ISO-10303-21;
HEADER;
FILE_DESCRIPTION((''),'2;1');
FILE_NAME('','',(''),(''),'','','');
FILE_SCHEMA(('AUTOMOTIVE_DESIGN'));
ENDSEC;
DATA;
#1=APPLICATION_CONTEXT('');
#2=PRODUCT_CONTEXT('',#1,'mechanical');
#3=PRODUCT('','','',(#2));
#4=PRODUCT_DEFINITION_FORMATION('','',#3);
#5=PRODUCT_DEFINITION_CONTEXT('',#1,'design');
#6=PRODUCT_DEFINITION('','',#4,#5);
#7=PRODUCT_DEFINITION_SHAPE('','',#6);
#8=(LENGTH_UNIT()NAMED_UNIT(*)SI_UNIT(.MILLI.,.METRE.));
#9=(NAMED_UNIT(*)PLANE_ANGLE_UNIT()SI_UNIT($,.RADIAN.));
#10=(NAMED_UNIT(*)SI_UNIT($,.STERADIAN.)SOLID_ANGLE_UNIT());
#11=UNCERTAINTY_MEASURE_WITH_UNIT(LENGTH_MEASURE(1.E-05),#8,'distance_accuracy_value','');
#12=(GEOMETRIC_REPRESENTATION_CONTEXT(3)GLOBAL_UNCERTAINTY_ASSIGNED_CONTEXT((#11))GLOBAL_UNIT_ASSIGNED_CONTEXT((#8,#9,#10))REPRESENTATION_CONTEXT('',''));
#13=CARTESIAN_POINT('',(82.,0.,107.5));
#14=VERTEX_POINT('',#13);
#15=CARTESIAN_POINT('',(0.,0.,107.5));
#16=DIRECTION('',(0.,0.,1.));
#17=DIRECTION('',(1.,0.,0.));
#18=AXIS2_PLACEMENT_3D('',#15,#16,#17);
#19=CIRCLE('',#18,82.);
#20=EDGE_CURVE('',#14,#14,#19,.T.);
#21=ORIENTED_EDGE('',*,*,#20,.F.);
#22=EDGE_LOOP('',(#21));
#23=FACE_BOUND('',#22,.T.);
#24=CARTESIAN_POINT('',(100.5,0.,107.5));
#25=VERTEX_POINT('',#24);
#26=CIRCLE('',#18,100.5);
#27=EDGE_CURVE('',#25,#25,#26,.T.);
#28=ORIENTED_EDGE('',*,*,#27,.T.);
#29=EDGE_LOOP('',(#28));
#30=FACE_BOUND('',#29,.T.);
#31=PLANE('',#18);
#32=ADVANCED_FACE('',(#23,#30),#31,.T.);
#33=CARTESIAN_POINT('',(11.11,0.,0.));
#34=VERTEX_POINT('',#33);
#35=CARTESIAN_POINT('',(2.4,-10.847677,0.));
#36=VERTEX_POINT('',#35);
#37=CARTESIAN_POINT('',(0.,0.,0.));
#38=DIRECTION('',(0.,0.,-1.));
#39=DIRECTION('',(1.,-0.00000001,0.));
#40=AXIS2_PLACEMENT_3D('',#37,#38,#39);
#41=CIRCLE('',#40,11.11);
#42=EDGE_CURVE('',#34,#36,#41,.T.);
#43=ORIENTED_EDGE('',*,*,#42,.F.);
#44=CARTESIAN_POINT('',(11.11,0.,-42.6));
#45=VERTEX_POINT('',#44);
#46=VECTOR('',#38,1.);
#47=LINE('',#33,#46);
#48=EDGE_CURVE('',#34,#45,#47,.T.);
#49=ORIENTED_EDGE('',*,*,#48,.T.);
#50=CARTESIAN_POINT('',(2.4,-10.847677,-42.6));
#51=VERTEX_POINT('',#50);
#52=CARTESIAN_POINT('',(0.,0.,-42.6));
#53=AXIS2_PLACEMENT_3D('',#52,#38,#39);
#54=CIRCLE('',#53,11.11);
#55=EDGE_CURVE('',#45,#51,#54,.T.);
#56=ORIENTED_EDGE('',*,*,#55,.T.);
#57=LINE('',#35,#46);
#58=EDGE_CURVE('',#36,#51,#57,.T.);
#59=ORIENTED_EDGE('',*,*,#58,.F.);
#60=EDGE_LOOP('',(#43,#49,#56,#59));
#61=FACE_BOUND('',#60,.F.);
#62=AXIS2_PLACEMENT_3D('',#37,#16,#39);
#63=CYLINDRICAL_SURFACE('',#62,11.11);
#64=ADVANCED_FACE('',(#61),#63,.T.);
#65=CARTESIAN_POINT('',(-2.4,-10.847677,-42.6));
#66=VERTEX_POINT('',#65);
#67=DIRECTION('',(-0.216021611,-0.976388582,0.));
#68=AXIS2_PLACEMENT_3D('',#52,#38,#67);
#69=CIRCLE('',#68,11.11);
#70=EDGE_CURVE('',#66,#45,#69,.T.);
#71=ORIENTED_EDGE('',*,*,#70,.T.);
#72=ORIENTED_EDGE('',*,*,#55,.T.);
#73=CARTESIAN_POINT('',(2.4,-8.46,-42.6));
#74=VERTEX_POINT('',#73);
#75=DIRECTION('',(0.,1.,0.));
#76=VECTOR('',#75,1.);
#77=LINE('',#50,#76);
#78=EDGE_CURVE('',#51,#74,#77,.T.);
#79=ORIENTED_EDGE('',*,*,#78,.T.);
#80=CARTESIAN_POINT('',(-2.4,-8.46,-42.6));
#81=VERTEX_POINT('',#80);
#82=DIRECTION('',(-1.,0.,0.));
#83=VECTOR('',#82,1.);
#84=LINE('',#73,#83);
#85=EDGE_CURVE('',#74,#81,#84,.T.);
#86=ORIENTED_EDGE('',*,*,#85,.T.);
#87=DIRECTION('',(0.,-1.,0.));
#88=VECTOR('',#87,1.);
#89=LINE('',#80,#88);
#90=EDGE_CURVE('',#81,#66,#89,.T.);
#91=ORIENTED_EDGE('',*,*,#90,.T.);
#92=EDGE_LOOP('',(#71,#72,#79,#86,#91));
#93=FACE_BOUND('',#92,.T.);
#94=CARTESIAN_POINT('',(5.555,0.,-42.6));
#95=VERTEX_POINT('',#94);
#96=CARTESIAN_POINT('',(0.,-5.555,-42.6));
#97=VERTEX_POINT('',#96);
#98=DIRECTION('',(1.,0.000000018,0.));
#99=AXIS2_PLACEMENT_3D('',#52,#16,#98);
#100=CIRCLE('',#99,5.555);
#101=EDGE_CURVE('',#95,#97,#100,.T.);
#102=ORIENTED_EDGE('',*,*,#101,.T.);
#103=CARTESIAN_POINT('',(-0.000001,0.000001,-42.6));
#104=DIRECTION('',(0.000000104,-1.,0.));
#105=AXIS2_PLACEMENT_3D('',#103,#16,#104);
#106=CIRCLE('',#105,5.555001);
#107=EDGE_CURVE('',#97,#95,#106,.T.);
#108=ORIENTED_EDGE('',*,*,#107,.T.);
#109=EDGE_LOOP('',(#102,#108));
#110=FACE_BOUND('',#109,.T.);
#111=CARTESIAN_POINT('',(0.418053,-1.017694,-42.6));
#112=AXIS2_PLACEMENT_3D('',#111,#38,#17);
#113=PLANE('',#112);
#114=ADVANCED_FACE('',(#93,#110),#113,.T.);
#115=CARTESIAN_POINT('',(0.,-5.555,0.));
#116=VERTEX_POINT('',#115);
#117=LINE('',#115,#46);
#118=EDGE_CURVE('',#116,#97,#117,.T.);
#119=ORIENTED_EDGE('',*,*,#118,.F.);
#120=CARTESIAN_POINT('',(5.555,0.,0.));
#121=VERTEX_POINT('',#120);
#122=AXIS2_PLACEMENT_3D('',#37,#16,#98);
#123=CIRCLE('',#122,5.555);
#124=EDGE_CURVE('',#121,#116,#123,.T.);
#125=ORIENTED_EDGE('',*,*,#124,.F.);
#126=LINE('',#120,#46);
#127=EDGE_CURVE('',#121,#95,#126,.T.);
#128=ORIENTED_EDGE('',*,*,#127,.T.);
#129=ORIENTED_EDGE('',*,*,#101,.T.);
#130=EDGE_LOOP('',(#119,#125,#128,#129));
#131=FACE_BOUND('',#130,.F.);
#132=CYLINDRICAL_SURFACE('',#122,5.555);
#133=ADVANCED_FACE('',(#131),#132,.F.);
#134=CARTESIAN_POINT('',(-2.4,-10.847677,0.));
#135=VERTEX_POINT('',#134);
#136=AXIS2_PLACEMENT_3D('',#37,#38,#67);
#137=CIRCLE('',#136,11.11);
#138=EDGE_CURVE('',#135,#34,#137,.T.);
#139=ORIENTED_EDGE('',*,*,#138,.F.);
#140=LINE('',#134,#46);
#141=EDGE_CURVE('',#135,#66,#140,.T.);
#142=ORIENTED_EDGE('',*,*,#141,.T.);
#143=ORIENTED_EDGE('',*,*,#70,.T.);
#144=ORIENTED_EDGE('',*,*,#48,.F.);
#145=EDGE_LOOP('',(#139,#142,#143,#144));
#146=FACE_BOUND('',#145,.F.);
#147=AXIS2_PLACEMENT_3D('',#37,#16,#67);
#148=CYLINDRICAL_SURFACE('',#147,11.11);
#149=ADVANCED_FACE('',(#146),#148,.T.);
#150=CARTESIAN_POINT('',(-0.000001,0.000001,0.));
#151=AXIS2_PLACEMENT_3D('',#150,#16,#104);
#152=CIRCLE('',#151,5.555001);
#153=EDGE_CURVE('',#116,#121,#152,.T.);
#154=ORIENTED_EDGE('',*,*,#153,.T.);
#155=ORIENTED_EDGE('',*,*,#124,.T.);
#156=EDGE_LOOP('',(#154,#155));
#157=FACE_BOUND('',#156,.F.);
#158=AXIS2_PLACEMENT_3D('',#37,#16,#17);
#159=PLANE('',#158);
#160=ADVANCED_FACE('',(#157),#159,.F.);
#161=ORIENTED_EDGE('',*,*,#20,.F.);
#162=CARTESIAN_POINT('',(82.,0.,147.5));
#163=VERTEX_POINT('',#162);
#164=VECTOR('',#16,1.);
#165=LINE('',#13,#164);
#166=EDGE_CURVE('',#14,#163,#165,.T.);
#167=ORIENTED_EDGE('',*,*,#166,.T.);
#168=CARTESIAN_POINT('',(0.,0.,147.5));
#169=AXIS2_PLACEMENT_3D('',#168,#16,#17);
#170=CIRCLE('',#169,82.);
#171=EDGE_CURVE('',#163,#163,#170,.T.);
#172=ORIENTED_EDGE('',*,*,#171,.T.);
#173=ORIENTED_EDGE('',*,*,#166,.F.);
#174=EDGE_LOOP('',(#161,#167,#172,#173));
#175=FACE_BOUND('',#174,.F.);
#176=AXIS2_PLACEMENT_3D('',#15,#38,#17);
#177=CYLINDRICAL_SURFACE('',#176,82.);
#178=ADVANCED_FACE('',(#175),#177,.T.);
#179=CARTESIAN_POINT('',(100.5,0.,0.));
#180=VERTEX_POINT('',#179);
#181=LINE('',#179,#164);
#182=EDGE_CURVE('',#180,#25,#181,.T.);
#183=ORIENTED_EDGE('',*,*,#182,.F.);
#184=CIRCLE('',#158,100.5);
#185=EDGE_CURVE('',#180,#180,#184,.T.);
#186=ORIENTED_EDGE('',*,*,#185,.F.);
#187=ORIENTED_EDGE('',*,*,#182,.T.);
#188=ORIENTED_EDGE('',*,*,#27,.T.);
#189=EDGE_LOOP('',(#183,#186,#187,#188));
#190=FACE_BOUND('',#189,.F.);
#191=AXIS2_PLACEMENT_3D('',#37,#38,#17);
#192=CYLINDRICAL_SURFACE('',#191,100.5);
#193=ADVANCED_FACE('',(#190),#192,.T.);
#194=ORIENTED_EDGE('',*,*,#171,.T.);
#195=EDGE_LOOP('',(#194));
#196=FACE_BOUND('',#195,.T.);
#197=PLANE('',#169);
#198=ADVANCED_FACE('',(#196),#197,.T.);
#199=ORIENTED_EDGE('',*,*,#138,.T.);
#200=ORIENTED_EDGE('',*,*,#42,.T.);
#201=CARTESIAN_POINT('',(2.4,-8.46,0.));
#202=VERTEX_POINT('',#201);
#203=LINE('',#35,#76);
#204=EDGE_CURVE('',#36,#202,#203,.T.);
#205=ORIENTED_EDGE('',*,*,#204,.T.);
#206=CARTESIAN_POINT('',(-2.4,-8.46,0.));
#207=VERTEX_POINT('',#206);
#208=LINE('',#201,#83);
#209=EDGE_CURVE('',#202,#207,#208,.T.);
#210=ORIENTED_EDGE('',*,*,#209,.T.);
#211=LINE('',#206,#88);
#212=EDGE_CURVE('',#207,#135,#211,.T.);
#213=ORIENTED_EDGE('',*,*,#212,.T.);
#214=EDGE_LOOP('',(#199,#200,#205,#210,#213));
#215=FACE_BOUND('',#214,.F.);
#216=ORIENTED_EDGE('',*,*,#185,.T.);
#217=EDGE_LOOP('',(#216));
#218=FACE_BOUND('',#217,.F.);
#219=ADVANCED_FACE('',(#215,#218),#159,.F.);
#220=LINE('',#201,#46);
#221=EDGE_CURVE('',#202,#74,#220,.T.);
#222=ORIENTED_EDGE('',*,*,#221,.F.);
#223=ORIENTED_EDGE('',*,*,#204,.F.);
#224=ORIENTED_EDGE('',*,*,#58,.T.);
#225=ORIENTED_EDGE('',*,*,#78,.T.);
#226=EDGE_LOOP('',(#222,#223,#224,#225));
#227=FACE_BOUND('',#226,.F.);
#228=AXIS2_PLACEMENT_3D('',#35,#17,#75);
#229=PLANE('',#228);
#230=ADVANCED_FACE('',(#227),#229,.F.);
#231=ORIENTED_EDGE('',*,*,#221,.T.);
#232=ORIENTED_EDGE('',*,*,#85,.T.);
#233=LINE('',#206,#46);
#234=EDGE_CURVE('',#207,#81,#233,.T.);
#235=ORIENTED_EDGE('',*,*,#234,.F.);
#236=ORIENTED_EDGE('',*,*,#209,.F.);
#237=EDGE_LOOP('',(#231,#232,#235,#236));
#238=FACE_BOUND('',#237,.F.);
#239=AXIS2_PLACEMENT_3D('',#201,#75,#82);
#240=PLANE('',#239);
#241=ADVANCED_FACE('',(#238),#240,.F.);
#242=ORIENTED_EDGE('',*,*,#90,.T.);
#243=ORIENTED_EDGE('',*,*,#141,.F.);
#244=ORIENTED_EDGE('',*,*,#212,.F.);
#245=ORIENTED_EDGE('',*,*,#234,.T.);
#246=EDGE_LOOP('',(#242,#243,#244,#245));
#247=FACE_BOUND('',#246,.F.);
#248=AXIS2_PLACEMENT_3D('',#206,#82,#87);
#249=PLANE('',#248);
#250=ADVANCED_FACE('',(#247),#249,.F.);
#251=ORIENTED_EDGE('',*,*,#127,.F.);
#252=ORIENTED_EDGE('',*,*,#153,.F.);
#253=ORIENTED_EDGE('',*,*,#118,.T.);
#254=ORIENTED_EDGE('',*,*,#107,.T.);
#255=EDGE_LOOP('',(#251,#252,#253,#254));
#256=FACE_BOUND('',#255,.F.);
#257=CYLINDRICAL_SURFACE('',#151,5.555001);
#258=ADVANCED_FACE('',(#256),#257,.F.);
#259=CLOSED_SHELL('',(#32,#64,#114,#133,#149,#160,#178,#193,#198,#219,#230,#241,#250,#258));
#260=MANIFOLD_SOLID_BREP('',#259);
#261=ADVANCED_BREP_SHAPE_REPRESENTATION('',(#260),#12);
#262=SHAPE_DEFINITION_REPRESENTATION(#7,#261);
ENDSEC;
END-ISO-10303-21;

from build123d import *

# Parameters (mm, degrees)
F0_R     = 100.5
F1_DEPTH = 107.5
F2_R     = 82
F3_DEPTH = 40
F5_DEPTH = 42.6


with BuildPart() as f1:
    # F0 (on Top) → F1 (new body)
    with BuildSketch(Plane.XY):
        Circle(F0_R)
    extrude(amount=F1_DEPTH)

    # F2 (on face) → F3 (join)
    with BuildSketch(Plane.XY.offset(107.5)):
        Circle(F2_R)
    extrude(amount=F3_DEPTH)

    # F4 (on face) → F5 (join)
    with BuildSketch(Plane(origin=(0, 0, 0), x_dir=(1, 0, 0), z_dir=(0, 0, -1))):
        with BuildLine():
            ThreePointArc((-2.4, 10.847677), (-6.955864, -8.663028), (11.11, 0))
            ThreePointArc((11.11, 0), (8.663028, 6.955864), (2.4, 10.847677))
            Line((2.4, 10.847677), (2.4, 8.46))
            Line((2.4, 8.46), (0, 8.46))
            Line((0, 8.46), (-2.4, 8.46))
            Line((-2.4, 8.46), (-2.4, 10.847677))
        make_face()
        with BuildLine():
            ThreePointArc((5.555, 0), (-3.927978, -3.927978), (0, 5.555))
            ThreePointArc((0, 5.555), (3.927978, 3.927978), (5.555, 0))
        make_face(mode=Mode.SUBTRACT)
    extrude(amount=F5_DEPTH)


solid = f1.part
